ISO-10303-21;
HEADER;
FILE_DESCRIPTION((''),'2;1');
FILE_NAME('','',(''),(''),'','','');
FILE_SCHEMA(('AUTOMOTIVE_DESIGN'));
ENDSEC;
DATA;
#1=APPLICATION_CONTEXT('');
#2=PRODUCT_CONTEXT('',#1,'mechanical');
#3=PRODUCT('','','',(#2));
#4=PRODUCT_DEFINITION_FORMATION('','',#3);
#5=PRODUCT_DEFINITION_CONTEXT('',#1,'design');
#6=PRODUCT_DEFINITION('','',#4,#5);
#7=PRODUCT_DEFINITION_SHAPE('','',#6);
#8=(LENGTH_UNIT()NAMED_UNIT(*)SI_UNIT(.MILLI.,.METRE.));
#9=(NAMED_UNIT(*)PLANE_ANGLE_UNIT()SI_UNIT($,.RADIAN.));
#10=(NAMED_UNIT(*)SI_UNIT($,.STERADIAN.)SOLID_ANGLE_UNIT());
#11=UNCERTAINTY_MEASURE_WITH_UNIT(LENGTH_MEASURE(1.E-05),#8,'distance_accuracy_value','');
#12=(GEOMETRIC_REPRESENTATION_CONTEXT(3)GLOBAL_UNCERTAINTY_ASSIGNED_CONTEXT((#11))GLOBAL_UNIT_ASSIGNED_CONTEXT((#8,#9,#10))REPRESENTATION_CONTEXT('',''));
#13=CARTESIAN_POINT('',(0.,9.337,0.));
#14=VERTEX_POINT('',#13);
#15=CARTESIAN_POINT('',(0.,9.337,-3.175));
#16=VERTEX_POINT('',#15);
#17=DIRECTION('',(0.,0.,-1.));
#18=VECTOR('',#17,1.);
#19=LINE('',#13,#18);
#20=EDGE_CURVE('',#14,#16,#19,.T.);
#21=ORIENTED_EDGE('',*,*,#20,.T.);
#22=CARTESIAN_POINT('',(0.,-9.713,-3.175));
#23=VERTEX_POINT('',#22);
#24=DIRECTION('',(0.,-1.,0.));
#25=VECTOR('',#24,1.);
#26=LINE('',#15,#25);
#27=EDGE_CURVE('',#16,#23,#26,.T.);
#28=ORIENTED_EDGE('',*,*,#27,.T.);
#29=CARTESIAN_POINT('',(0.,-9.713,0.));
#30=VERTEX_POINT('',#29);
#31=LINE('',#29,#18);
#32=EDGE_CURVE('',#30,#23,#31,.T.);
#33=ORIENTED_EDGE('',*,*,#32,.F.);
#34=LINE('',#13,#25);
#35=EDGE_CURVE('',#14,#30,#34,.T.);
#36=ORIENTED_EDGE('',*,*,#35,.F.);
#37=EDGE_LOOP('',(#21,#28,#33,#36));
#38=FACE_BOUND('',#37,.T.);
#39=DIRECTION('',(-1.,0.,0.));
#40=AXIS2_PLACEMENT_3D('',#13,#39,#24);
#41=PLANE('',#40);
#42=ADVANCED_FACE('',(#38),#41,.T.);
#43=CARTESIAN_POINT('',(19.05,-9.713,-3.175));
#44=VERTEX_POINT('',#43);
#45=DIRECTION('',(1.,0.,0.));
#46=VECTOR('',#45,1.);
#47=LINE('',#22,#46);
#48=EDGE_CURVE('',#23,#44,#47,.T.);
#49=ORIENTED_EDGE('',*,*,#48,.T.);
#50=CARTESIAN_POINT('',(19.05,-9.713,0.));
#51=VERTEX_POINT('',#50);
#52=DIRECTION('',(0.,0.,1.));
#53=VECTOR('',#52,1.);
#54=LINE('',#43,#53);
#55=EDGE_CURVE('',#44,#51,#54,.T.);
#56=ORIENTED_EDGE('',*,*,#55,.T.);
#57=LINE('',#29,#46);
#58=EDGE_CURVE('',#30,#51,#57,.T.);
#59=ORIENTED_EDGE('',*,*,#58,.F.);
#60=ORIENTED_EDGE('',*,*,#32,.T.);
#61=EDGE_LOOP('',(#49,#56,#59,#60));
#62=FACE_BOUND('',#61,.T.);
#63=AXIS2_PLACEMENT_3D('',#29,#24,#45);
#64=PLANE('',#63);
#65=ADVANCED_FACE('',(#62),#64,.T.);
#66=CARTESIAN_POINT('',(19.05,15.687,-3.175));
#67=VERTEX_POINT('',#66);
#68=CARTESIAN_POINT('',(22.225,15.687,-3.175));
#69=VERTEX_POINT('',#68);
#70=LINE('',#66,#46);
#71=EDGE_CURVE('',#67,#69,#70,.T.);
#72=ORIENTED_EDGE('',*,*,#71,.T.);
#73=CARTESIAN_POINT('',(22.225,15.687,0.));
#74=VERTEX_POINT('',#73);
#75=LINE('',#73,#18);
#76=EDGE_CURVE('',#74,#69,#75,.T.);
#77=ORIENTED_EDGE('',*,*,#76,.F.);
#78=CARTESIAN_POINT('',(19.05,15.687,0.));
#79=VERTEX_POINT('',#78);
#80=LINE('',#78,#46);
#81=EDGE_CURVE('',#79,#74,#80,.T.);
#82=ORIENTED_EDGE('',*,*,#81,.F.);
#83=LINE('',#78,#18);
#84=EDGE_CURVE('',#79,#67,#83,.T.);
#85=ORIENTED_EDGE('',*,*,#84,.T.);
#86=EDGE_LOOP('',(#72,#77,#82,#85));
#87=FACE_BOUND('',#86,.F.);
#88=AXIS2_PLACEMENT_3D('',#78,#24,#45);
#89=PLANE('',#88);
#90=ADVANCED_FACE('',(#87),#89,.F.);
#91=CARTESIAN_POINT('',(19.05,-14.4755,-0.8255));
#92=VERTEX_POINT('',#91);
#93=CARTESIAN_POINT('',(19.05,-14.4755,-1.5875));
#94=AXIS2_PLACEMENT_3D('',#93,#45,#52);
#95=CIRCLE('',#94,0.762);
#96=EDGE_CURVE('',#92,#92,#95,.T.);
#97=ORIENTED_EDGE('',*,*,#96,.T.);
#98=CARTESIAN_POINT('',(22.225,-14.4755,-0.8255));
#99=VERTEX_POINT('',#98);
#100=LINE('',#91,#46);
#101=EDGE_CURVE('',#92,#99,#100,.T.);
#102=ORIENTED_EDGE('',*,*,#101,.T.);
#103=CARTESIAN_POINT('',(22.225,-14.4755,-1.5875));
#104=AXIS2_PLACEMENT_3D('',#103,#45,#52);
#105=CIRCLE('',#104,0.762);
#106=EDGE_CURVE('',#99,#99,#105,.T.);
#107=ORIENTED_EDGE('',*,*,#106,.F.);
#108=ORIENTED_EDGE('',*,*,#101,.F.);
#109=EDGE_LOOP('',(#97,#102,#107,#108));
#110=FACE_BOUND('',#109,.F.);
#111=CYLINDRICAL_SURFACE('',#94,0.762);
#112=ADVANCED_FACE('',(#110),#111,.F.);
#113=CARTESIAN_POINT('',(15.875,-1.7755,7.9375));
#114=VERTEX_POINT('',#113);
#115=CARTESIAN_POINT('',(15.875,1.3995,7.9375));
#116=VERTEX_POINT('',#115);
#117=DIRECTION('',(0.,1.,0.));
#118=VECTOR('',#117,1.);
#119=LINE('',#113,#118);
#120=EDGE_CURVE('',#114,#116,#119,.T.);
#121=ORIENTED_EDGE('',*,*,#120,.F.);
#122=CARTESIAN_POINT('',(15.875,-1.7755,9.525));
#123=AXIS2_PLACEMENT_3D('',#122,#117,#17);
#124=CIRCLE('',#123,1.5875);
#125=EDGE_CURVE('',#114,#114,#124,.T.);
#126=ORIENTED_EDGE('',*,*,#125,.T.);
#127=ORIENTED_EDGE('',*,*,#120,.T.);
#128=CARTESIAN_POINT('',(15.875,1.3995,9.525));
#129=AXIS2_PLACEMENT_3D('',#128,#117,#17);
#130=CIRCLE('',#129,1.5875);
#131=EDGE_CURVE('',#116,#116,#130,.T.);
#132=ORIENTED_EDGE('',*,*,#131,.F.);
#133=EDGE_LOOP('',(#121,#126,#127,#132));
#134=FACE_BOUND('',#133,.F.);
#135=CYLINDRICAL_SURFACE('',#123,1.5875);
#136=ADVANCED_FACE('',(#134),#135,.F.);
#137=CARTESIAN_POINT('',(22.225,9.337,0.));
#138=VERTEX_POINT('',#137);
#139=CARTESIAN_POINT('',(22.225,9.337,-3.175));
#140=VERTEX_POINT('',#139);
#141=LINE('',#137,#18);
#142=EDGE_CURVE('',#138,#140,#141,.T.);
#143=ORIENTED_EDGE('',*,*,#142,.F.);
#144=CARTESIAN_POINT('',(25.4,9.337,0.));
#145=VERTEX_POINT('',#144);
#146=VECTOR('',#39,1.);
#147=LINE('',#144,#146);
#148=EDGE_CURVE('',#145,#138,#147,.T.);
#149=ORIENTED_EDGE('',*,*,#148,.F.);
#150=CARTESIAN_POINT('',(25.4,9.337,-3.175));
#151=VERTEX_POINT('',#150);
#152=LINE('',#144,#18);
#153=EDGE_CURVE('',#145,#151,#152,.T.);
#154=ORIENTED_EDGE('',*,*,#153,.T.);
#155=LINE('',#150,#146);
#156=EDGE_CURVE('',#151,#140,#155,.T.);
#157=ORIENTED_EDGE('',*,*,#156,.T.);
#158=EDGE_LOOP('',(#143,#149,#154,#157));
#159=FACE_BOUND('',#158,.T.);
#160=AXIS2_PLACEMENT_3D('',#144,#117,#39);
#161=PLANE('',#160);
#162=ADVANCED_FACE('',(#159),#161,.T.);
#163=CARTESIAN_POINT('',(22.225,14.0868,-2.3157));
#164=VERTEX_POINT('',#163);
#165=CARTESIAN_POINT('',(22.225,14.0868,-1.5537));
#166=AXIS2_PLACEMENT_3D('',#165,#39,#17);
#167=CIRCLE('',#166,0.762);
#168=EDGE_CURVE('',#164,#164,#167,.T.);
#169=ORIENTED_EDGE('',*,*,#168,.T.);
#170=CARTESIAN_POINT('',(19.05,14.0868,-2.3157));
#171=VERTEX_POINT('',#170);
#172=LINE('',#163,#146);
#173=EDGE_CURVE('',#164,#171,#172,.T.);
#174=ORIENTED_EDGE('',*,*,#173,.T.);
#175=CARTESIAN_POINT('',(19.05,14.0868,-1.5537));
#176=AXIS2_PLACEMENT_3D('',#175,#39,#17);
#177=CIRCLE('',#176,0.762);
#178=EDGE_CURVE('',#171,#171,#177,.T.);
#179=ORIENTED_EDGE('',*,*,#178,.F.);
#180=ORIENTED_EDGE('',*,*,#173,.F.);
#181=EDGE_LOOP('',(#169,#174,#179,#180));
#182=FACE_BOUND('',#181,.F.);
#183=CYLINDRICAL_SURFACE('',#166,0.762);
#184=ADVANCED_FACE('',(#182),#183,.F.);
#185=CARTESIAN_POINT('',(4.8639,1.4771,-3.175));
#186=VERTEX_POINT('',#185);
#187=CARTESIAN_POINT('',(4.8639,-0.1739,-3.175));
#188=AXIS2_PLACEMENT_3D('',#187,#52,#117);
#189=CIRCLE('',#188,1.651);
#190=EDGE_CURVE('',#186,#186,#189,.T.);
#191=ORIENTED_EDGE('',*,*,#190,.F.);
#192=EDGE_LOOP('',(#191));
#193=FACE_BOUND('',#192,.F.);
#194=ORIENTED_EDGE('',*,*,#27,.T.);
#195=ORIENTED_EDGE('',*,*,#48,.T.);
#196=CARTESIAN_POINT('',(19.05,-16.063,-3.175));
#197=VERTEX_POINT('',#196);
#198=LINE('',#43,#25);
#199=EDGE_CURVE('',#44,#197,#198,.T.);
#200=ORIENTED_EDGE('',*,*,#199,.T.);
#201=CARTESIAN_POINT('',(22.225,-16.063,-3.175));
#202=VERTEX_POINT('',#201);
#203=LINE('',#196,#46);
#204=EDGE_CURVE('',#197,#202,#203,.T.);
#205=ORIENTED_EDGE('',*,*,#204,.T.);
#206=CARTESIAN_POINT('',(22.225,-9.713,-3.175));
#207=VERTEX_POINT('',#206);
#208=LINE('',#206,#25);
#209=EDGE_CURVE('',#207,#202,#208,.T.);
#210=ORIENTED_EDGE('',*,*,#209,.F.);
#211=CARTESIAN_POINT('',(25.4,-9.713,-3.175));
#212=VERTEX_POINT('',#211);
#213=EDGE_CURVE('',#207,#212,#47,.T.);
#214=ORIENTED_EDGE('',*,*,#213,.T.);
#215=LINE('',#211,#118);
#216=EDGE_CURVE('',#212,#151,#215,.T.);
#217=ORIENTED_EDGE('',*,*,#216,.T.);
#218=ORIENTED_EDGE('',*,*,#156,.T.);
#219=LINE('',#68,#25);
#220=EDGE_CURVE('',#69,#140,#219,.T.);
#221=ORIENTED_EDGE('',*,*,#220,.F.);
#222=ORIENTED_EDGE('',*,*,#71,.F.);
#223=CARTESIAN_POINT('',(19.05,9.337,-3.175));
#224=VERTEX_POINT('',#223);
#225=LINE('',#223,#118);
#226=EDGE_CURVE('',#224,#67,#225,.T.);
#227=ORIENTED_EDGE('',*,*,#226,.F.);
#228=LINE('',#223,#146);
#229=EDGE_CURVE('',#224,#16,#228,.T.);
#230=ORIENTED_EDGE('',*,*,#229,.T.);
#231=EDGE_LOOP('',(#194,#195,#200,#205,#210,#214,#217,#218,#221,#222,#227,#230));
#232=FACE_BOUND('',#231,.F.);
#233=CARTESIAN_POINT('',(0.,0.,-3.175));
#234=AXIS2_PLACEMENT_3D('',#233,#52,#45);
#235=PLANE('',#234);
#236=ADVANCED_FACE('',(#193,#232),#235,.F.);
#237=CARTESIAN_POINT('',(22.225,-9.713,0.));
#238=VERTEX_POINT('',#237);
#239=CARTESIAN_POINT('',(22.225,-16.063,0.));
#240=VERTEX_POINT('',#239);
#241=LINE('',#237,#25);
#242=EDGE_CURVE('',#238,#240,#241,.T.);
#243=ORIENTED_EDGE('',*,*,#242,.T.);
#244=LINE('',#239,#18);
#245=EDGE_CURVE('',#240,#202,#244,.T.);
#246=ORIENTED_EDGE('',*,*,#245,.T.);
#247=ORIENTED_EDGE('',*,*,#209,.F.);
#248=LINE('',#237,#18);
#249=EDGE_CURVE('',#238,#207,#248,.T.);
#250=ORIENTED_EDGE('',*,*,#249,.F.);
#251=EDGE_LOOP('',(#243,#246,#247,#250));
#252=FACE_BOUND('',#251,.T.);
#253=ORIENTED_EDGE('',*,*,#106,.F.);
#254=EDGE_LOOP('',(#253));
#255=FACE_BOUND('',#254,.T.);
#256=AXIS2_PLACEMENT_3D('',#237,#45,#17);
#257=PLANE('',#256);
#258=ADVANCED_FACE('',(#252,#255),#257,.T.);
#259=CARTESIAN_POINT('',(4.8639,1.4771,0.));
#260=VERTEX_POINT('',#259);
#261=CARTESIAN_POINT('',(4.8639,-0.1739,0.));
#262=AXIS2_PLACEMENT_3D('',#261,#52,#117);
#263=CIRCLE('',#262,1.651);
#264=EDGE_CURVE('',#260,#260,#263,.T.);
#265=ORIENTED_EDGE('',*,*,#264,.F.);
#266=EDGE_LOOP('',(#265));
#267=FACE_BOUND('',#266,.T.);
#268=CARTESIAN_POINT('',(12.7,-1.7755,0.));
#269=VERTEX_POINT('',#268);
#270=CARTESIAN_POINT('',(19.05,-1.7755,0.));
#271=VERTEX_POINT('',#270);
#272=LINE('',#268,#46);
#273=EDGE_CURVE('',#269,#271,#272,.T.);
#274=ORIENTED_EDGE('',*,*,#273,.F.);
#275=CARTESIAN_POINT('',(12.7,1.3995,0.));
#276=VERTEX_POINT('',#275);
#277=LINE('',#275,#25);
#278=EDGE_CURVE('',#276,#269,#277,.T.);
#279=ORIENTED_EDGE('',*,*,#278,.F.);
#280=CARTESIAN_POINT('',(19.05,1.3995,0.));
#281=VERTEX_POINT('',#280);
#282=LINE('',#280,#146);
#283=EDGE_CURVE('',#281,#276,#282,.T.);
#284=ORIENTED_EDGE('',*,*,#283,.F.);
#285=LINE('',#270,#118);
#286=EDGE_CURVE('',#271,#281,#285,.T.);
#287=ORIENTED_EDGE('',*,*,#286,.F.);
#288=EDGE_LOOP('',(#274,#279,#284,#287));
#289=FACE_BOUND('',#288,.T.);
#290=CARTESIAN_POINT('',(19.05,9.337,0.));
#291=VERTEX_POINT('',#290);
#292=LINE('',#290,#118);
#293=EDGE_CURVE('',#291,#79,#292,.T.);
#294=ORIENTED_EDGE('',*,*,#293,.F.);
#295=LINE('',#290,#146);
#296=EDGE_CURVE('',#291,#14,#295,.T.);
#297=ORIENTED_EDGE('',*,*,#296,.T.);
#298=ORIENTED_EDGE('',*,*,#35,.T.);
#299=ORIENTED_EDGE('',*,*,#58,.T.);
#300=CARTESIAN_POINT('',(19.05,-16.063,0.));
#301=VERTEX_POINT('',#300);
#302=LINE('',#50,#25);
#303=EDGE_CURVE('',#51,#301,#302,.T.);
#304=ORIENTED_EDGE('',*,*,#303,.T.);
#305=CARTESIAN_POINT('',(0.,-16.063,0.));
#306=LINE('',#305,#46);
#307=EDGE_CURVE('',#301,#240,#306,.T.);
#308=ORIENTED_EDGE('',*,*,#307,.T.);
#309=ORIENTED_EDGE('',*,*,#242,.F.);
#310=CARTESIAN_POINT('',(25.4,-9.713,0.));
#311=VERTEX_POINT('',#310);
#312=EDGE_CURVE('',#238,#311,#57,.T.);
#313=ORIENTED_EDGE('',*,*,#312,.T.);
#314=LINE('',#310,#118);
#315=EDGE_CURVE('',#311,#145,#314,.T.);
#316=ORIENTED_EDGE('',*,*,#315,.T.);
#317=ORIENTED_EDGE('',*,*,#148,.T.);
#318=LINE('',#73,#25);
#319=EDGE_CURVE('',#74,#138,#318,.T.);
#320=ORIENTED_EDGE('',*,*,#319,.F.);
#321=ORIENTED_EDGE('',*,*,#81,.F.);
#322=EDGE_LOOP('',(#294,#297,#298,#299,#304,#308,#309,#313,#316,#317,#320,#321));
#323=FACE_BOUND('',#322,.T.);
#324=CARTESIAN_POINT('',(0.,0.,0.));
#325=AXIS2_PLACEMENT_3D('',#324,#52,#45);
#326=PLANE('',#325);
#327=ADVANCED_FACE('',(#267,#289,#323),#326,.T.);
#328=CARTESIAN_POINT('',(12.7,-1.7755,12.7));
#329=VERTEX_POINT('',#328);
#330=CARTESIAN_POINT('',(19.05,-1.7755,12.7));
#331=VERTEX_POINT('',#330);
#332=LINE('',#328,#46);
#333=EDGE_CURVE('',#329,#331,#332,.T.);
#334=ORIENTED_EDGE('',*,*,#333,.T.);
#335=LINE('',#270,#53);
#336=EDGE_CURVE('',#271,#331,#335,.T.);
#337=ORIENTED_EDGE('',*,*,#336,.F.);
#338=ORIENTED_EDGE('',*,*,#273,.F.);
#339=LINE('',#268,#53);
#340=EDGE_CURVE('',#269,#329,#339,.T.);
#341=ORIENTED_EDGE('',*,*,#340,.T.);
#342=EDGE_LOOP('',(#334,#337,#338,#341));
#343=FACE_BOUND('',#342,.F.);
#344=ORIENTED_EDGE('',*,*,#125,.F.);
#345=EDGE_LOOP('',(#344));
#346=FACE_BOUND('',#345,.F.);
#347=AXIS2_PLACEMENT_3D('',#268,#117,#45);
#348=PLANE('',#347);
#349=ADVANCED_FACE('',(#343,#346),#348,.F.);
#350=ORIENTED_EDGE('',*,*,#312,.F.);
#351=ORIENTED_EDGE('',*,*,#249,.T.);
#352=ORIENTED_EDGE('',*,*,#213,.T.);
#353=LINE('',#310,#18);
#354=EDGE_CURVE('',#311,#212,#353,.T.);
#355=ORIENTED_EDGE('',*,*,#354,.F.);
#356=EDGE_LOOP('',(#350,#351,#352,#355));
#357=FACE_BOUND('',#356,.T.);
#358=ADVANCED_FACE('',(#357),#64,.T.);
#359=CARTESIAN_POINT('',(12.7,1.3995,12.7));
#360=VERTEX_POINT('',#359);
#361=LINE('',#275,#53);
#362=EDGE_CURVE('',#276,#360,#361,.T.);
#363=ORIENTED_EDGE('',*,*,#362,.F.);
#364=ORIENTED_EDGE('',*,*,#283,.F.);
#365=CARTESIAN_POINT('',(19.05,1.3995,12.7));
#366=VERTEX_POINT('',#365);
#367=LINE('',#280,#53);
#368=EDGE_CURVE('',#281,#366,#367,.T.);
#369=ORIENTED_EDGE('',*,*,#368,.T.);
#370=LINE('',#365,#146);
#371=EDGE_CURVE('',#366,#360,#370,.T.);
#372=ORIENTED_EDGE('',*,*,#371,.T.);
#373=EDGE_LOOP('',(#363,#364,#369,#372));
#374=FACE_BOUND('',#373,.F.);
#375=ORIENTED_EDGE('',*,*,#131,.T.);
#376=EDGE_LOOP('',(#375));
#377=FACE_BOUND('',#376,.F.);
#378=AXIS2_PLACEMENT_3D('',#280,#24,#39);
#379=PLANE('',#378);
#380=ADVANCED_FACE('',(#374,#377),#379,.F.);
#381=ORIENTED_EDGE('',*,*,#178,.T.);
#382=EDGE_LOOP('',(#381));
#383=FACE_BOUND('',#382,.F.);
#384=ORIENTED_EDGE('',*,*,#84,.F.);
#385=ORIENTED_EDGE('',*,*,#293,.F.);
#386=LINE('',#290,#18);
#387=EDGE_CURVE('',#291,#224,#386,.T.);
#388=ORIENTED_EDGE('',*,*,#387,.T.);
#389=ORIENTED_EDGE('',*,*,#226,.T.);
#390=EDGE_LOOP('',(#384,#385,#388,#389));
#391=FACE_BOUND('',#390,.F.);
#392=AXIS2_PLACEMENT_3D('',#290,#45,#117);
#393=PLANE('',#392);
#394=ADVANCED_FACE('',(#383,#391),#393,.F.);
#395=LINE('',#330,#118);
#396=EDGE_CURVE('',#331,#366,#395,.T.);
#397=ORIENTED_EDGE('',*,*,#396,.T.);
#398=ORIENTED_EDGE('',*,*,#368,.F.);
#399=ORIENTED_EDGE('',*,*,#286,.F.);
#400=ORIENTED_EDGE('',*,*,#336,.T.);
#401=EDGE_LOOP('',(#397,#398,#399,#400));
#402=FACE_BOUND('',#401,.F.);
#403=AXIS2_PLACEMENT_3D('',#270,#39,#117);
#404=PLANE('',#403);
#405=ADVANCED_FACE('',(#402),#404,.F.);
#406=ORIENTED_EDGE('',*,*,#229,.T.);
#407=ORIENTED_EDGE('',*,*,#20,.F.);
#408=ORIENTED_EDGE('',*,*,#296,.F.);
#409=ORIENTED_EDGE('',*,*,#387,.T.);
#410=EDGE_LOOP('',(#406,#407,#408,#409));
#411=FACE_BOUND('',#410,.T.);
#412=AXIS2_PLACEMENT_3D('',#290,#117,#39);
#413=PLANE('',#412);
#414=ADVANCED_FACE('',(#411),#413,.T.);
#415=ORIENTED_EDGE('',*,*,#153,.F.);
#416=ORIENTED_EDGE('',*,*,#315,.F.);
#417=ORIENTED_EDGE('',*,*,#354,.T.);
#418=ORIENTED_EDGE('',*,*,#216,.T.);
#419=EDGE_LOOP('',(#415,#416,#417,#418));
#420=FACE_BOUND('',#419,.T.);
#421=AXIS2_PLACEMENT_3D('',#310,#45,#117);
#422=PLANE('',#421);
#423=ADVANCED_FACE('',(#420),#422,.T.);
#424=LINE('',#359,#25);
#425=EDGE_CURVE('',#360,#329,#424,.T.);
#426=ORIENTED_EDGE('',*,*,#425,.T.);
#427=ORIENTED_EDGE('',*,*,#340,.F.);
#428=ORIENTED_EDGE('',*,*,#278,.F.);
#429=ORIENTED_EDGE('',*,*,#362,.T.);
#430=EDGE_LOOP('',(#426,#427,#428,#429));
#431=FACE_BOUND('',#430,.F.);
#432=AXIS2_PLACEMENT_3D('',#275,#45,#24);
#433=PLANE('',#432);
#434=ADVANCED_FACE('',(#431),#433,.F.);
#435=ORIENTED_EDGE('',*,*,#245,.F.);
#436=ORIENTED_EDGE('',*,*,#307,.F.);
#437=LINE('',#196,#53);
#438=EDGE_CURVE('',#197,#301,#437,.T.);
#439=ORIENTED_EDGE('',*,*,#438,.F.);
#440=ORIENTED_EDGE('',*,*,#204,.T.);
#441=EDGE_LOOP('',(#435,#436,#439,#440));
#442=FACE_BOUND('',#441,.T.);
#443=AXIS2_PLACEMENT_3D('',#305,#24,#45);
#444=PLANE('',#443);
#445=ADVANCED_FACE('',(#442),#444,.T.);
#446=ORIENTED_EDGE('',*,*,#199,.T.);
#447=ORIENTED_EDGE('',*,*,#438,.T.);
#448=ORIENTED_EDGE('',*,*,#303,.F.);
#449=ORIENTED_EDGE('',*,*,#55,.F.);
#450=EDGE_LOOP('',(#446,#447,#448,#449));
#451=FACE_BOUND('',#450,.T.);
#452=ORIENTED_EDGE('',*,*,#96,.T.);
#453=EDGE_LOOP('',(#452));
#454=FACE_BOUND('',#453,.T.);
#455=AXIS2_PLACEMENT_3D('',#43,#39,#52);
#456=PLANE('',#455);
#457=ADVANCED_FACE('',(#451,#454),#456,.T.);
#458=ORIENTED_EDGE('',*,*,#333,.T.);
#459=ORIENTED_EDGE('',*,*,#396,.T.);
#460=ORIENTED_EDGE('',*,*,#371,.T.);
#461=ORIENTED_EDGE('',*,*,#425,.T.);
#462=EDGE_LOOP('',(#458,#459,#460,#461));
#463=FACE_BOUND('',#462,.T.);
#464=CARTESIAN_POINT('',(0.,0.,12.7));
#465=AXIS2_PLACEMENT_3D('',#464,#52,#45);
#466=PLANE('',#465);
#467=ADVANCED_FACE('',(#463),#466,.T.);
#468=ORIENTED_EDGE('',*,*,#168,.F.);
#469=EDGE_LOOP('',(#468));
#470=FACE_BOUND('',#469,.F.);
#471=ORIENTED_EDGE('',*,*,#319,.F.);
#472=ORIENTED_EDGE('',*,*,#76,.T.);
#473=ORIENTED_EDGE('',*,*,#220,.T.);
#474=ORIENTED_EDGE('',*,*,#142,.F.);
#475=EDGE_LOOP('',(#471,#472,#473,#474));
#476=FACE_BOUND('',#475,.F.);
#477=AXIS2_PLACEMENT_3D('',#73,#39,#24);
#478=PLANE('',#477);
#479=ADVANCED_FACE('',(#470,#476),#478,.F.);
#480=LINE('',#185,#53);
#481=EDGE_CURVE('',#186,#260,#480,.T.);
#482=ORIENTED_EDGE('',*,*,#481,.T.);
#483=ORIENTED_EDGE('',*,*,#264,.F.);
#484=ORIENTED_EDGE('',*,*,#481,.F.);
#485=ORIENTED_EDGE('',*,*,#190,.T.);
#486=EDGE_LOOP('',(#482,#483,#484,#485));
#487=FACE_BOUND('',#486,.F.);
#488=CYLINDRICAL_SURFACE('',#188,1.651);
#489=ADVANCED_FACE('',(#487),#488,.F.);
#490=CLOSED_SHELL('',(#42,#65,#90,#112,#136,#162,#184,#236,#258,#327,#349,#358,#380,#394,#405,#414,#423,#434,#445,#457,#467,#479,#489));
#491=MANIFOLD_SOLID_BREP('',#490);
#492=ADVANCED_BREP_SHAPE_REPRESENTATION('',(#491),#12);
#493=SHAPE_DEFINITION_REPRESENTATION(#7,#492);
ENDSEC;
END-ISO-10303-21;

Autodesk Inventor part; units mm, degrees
ref_plane "YZ Plane" through (0, 0, 0) normal (1, 0, 0) x (0, 1, 0)
ref_plane "XZ Plane" through (0, 0, 0) normal (0, 1, 0) x (-1, 0, 0)
ref_plane "XY Plane" through (0, 0, 0) normal (0, 0, 1) x (1, 0, 0)
sketch "Sketch1" plane through (0, 0, 0) normal (0, 0, 1) x (1, 0, 0)
  line L0 (0, -9.713) -> (25.4, -9.713)
  line L1 (25.4, -9.713) -> (25.4, 9.337)
  line L2 (0, 9.337) -> (0, -9.713)
  line L3 (19.05, 9.337) -> (19.05, 15.687)
  line L4 (19.05, 15.687) -> (22.225, 15.687)
  line L5 (22.225, 15.687) -> (22.225, 9.337)
  line L6 (25.4, 9.337) -> (22.225, 9.337)
  line L7 (19.05, 9.337) -> (0, 9.337)
  dimension "d0" = 19.05
  dimension "d2" = 25.4
  dimension "d3" = 3.175
  dimension "d4" = 6.35
  dimension "d22" = 3.175
extrude "Extrusion1" add sketch "Sketch1" against normal blind 3.175
sketch "Sketch2" plane through (0, 0, 0) normal (0, 0, 1) x (1, 0, 0)
  line L0 (12.7, -1.7755) -> (19.05, -1.7755)
  line L1 (19.05, -1.7755) -> (19.05, 1.3995)
  line L2 (19.05, 1.3995) -> (12.7, 1.3995)
  line L3 (12.7, 1.3995) -> (12.7, -1.7755)
  line L4 (0, 9.337) -> (0, -9.713) projected
  line L5 (25.4, 9.337) -> (22.225, 9.337) projected
  line L6 (25.4, -9.713) -> (25.4, 9.337) projected
  dimension "d7" = 3.175
  dimension "d10" = 6.35
  dimension "d11" = 7.9375
  dimension "d12" = 6.35
extrude "Extrusion2" add sketch "Sketch2" along normal blind 12.7
sketch "Sketch3" plane through (22.225, 9.337, 0) normal (1, 0, 0) x (0, 0, -1)
  line L0 (0, 0) -> (0, 6.35) projected
  line L1 (0, 0) -> (3.175, 0) projected
  line L2 (3.175, 6.35) -> (3.175, 0) projected
  line L3 (0, 6.35) -> (3.175, 6.35) projected
  point P0 (1.5537, 4.7498)
  dimension "d38" = 1.6002
hole "Hole1" at (22.225, 14.0868, -1.5537) direction (-1, 0, 0) diameter 1.524 end through all
sketch "Sketch5" plane through (0, 0, -3.175) normal (0, 0, -1) x (-1, 0, 0)
  line L0 (-25.4, -9.713) -> (0, -9.713) projected
  line L1 (0, -9.713) -> (0, 9.337) projected
  line L2 (0, 9.337) -> (-19.05, 9.337) projected
  line L3 (-19.05, 9.337) -> (-19.05, 15.687) projected
  line L4 (-19.05, 15.687) -> (-22.225, 15.687) projected
  line L5 (-22.225, 15.687) -> (-22.225, 9.337) projected
  line L6 (-22.225, 9.337) -> (-25.4, 9.337) projected
  line L7 (-25.4, 9.337) -> (-25.4, -9.713) projected
  point P0 (-22.225, -11.491)
  point P1 (-4.8639, -0.1739)
  dimension "d37" = 3.175
hole "Hole3" at (4.8639, -0.1739, -3.175) at (22.225, -11.491, -3.175) direction (0, 0, 1) diameter 3.302 end through all thread size "8-32 UNC" class "2B" standard "ANSI Unified Screw Threads"
sketch "Sketch6" plane through (22.225, 9.337, 0) normal (1, 0, 0) x (0, 0, -1)
  point P0 (0, -9.337)
sketch "Sketch7" plane through (0, 0, 0) normal (0, 0, 1) x (1, 0, 0)
  point P0 (0, 0)
sketch "Sketch8" plane through (0, -9.713, 0) normal (0, -1, 0) x (1, 0, 0)
  line L0 (25.4, 0) -> (22.225, 0) projected
  line L1 (22.225, 0) -> (22.225, -3.175) projected
  line L2 (19.05, -3.175) -> (22.225, -3.175) projected
  line L3 (0, 0) -> (25.4, 0) projected
  line L4 (22.225, -3.175) -> (25.4, -3.175) projected
  line L5 (22.225, -3.175) -> (19.05, -3.175)
  line L6 (19.05, -3.175) -> (19.05, 0)
  line L7 (19.05, 0) -> (22.225, 0)
  line L8 (22.225, 0) -> (22.225, -3.175)
extrude "Extrusion3" add sketch "Sketch8" along normal blind 6.35
hole "Hole4" at (19.05, -14.4755, -1.5875) direction (1, 0, 0) diameter 1.524 depth 25.4 tip angle 118
hole "Hole5" at (15.875, -1.7755, 9.525) direction (0, 1, 0) diameter 3.175 depth 25.4 tip angle 118
equation "\"d11\" = -0.5 * d7 + 0.5 * d0"
properties part number "slide pivot plate"
